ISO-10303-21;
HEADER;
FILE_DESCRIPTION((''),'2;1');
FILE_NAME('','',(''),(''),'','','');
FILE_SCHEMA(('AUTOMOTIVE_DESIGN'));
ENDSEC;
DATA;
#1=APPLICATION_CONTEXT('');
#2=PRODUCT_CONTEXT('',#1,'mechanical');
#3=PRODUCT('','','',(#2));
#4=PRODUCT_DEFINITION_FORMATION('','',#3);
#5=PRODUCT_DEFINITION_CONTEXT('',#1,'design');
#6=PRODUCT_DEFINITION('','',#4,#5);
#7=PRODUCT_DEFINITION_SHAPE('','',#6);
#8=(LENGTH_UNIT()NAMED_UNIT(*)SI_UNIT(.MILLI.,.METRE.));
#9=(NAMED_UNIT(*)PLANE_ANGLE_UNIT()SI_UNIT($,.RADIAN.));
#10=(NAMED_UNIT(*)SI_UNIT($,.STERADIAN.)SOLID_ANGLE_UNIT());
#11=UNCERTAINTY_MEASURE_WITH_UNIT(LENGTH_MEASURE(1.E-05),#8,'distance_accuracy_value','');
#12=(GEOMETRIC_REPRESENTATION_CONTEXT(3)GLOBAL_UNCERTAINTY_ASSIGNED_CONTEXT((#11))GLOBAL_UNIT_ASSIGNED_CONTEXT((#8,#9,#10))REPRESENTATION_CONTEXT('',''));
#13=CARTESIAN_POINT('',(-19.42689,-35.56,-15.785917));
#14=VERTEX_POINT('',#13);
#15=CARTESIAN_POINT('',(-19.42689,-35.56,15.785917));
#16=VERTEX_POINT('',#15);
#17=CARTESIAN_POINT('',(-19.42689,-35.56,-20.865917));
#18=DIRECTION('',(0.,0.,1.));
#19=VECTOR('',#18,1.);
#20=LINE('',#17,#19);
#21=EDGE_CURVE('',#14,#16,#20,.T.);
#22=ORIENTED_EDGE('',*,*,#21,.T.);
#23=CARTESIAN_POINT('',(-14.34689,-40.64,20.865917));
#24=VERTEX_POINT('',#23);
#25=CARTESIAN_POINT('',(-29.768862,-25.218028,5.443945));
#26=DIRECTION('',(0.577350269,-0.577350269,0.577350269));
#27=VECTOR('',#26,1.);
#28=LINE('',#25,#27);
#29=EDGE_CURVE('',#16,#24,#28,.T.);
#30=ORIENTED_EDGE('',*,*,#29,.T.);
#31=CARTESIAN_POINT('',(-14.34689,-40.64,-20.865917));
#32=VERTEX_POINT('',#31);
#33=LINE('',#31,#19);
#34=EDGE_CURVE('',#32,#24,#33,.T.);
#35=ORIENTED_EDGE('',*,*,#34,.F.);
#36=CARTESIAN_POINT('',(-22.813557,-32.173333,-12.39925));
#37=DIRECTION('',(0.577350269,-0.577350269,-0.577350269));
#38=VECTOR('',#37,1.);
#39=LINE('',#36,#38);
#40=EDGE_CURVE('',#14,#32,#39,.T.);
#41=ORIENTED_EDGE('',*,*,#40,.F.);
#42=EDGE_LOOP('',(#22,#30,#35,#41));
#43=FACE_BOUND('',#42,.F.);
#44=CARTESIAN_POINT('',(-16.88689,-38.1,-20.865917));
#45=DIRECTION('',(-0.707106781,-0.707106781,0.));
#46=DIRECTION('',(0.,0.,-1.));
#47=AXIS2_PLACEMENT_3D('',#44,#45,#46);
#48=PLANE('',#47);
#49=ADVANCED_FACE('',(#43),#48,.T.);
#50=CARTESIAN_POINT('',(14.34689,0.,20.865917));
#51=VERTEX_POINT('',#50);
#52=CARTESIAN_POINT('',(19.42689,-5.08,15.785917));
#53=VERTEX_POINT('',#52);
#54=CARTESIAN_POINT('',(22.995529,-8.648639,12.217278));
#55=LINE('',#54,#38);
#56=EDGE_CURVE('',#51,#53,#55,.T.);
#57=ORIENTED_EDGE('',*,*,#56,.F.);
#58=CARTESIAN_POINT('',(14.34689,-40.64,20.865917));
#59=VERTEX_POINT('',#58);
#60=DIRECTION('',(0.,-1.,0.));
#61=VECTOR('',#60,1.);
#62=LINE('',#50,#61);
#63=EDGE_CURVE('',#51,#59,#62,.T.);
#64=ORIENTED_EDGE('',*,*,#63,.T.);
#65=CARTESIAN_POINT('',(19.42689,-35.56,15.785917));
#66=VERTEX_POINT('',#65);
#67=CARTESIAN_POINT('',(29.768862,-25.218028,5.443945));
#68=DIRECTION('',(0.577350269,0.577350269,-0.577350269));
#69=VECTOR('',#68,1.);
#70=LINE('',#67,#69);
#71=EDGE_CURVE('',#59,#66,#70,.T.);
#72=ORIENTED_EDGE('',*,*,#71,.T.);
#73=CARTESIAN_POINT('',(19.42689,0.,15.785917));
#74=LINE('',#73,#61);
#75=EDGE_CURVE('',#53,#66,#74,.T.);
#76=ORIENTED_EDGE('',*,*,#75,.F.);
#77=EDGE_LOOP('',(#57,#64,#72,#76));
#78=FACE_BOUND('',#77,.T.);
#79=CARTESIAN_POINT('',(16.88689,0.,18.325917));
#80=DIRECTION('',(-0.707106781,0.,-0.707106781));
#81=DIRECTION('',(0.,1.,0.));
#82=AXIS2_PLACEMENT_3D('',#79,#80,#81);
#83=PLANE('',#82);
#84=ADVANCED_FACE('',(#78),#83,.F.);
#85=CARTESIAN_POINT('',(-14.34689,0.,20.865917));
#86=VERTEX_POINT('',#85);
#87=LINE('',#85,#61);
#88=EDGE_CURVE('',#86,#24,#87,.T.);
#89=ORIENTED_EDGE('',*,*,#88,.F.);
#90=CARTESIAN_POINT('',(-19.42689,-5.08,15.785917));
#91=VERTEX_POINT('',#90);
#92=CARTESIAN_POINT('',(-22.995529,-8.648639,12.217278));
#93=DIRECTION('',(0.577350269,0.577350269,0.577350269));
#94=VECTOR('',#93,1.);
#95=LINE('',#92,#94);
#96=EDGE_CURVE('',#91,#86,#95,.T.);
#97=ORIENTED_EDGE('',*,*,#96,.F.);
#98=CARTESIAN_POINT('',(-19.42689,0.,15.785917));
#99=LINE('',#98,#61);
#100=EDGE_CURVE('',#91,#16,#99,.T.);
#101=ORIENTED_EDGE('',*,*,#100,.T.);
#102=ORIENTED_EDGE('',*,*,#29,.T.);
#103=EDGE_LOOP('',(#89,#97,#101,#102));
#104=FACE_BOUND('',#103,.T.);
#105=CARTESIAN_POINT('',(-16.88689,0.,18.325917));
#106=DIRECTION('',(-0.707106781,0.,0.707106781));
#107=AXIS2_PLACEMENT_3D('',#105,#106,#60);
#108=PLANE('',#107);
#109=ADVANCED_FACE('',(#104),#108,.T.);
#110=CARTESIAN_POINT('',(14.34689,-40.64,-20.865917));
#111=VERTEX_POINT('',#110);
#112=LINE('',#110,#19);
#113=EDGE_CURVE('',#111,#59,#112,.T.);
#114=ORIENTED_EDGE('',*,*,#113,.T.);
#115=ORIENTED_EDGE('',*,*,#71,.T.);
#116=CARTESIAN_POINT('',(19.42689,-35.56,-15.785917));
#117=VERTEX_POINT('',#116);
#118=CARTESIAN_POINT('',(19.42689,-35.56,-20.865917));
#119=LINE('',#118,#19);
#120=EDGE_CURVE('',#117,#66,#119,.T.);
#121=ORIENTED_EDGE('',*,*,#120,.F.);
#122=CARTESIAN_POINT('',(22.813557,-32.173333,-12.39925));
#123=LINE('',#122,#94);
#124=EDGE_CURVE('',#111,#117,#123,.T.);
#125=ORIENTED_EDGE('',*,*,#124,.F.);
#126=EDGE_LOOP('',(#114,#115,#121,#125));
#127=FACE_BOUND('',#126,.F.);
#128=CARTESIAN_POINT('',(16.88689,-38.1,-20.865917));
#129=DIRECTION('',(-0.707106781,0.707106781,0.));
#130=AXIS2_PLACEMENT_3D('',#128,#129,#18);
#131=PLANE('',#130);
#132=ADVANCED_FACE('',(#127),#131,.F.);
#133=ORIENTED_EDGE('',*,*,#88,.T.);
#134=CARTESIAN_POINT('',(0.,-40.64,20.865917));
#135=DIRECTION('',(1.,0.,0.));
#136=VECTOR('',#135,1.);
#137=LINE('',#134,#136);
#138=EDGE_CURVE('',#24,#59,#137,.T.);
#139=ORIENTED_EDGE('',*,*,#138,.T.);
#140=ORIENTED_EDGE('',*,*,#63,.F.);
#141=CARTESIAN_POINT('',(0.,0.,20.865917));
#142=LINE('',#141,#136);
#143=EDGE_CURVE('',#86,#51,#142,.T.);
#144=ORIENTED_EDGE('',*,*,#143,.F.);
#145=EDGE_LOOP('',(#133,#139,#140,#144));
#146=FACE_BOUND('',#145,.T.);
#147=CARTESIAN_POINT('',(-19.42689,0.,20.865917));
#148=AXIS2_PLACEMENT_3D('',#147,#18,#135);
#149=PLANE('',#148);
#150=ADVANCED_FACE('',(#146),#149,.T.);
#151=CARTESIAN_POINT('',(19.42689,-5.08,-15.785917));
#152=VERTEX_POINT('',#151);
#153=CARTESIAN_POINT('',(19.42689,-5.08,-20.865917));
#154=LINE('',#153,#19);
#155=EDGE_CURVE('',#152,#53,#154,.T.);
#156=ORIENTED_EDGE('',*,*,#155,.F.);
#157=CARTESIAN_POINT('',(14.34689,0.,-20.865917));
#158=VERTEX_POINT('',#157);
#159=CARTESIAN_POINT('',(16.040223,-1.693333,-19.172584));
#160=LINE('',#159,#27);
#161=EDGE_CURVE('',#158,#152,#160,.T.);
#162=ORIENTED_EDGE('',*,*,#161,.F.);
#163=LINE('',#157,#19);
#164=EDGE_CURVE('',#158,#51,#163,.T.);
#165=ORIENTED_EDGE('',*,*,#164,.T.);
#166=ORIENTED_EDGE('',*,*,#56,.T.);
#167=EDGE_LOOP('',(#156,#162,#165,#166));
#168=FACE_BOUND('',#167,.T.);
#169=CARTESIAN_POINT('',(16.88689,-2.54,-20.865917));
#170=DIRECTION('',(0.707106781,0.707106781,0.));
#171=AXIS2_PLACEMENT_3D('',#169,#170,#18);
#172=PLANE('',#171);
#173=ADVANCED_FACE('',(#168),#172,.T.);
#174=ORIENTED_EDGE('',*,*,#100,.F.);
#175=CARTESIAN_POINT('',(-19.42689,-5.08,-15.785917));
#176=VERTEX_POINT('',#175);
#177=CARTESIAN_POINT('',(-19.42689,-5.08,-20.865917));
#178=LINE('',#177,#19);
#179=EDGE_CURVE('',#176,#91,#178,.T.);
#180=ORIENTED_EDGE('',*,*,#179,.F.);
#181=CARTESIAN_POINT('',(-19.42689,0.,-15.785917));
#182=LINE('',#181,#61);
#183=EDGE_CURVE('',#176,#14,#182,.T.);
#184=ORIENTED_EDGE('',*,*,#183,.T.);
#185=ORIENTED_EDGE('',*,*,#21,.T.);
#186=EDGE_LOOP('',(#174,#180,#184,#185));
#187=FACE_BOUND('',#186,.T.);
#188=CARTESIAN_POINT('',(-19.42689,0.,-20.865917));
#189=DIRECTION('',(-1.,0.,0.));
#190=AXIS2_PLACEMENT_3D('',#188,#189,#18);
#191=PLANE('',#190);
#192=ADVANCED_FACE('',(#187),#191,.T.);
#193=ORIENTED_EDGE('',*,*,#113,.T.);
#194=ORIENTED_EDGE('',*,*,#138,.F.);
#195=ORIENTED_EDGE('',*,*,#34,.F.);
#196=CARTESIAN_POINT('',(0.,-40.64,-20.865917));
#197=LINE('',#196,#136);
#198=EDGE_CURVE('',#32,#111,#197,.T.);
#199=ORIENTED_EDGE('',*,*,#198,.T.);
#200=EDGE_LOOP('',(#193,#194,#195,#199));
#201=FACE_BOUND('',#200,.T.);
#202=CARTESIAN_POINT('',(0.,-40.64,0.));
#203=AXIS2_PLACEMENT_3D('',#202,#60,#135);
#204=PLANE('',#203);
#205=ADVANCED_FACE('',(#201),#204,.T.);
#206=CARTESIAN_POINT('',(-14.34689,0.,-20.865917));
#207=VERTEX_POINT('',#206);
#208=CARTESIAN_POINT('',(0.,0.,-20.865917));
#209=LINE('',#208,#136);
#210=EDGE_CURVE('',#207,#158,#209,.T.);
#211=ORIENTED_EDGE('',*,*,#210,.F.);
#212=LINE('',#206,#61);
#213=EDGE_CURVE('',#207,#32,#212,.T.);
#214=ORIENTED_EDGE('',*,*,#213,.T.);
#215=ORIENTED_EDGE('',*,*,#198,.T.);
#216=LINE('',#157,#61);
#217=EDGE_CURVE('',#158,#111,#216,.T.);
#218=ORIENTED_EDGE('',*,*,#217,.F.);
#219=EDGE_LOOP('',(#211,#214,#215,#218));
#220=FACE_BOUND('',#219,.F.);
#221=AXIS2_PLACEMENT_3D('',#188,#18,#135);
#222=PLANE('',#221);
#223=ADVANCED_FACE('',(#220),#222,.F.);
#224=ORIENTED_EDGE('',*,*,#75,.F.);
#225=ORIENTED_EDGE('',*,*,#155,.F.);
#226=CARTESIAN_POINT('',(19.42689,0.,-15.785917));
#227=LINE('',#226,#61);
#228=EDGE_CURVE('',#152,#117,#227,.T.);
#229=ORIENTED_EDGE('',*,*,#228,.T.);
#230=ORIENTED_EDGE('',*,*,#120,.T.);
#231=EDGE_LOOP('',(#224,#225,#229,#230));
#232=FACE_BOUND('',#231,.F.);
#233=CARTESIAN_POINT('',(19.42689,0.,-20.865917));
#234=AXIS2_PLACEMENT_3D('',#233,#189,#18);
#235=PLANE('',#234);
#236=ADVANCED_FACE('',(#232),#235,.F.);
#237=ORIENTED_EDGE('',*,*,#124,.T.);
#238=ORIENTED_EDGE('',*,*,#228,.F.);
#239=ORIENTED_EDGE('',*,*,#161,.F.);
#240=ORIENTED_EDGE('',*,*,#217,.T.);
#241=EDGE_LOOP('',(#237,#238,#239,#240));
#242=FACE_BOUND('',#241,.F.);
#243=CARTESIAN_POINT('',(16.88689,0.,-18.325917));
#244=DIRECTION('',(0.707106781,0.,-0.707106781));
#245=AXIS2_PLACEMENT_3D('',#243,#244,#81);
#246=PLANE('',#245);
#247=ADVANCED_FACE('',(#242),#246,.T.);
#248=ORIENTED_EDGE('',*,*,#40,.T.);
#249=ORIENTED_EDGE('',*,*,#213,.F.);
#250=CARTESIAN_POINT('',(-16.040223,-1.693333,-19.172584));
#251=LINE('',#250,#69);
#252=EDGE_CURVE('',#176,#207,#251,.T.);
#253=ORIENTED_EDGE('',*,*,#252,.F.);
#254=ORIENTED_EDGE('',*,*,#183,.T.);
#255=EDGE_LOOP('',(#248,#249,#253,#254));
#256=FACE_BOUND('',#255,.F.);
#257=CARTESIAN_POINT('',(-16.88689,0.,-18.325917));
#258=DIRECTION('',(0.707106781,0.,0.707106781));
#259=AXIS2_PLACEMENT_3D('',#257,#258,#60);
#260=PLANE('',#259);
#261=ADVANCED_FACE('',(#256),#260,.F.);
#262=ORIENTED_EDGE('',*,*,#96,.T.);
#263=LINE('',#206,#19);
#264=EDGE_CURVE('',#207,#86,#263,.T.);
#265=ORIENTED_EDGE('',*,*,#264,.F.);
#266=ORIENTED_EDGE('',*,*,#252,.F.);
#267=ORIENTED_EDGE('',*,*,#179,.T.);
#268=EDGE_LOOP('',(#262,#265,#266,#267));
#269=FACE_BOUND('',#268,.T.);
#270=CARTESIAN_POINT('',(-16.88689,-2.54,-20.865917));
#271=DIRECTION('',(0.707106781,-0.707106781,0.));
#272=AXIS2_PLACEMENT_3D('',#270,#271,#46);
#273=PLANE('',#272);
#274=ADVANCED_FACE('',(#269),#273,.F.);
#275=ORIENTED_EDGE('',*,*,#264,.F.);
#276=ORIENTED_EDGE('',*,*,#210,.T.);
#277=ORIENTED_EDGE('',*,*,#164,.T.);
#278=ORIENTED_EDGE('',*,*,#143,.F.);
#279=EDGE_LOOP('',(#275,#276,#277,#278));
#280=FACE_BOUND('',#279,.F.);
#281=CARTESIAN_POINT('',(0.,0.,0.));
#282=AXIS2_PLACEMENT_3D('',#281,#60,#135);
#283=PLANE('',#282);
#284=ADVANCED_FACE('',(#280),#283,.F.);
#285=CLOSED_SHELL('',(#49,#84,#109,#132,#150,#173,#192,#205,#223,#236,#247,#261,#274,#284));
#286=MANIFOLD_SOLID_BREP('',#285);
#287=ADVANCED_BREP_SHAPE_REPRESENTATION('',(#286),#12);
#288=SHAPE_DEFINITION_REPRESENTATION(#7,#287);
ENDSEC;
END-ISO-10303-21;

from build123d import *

# Parameters (mm, degrees)
F0_W     = 38.85378
F0_H     = 41.731834
F1_DEPTH = 40.64
F2_SIZE  = 5.08
F3_SIZE  = 5.08


with BuildPart() as f1:
    # F0 (on Front) → F1 (new body)
    with BuildSketch(Plane.XZ):
        Rectangle(F0_W, F0_H)
    extrude(amount=F1_DEPTH)

    # F2
    f2_edges = [f1.edges().sort_by_distance(p)[0] for p in [
        (-19.42689, -20.32, 20.865917),
        (-19.42689, -20.32, -20.865917),
        (-19.42689, 0, 0),
        (-19.42689, -40.64, 0),
    ]]
    chamfer(f2_edges, length=F2_SIZE)

    # F3
    f3_edges = [f1.edges().sort_by_distance(p)[0] for p in [
        (19.42689, -20.32, -20.865917),
        (19.42689, -20.32, 20.865917),
        (19.42689, 0, 0),
        (19.42689, -40.64, 0),
    ]]
    chamfer(f3_edges, length=F3_SIZE)


solid = f1.part
